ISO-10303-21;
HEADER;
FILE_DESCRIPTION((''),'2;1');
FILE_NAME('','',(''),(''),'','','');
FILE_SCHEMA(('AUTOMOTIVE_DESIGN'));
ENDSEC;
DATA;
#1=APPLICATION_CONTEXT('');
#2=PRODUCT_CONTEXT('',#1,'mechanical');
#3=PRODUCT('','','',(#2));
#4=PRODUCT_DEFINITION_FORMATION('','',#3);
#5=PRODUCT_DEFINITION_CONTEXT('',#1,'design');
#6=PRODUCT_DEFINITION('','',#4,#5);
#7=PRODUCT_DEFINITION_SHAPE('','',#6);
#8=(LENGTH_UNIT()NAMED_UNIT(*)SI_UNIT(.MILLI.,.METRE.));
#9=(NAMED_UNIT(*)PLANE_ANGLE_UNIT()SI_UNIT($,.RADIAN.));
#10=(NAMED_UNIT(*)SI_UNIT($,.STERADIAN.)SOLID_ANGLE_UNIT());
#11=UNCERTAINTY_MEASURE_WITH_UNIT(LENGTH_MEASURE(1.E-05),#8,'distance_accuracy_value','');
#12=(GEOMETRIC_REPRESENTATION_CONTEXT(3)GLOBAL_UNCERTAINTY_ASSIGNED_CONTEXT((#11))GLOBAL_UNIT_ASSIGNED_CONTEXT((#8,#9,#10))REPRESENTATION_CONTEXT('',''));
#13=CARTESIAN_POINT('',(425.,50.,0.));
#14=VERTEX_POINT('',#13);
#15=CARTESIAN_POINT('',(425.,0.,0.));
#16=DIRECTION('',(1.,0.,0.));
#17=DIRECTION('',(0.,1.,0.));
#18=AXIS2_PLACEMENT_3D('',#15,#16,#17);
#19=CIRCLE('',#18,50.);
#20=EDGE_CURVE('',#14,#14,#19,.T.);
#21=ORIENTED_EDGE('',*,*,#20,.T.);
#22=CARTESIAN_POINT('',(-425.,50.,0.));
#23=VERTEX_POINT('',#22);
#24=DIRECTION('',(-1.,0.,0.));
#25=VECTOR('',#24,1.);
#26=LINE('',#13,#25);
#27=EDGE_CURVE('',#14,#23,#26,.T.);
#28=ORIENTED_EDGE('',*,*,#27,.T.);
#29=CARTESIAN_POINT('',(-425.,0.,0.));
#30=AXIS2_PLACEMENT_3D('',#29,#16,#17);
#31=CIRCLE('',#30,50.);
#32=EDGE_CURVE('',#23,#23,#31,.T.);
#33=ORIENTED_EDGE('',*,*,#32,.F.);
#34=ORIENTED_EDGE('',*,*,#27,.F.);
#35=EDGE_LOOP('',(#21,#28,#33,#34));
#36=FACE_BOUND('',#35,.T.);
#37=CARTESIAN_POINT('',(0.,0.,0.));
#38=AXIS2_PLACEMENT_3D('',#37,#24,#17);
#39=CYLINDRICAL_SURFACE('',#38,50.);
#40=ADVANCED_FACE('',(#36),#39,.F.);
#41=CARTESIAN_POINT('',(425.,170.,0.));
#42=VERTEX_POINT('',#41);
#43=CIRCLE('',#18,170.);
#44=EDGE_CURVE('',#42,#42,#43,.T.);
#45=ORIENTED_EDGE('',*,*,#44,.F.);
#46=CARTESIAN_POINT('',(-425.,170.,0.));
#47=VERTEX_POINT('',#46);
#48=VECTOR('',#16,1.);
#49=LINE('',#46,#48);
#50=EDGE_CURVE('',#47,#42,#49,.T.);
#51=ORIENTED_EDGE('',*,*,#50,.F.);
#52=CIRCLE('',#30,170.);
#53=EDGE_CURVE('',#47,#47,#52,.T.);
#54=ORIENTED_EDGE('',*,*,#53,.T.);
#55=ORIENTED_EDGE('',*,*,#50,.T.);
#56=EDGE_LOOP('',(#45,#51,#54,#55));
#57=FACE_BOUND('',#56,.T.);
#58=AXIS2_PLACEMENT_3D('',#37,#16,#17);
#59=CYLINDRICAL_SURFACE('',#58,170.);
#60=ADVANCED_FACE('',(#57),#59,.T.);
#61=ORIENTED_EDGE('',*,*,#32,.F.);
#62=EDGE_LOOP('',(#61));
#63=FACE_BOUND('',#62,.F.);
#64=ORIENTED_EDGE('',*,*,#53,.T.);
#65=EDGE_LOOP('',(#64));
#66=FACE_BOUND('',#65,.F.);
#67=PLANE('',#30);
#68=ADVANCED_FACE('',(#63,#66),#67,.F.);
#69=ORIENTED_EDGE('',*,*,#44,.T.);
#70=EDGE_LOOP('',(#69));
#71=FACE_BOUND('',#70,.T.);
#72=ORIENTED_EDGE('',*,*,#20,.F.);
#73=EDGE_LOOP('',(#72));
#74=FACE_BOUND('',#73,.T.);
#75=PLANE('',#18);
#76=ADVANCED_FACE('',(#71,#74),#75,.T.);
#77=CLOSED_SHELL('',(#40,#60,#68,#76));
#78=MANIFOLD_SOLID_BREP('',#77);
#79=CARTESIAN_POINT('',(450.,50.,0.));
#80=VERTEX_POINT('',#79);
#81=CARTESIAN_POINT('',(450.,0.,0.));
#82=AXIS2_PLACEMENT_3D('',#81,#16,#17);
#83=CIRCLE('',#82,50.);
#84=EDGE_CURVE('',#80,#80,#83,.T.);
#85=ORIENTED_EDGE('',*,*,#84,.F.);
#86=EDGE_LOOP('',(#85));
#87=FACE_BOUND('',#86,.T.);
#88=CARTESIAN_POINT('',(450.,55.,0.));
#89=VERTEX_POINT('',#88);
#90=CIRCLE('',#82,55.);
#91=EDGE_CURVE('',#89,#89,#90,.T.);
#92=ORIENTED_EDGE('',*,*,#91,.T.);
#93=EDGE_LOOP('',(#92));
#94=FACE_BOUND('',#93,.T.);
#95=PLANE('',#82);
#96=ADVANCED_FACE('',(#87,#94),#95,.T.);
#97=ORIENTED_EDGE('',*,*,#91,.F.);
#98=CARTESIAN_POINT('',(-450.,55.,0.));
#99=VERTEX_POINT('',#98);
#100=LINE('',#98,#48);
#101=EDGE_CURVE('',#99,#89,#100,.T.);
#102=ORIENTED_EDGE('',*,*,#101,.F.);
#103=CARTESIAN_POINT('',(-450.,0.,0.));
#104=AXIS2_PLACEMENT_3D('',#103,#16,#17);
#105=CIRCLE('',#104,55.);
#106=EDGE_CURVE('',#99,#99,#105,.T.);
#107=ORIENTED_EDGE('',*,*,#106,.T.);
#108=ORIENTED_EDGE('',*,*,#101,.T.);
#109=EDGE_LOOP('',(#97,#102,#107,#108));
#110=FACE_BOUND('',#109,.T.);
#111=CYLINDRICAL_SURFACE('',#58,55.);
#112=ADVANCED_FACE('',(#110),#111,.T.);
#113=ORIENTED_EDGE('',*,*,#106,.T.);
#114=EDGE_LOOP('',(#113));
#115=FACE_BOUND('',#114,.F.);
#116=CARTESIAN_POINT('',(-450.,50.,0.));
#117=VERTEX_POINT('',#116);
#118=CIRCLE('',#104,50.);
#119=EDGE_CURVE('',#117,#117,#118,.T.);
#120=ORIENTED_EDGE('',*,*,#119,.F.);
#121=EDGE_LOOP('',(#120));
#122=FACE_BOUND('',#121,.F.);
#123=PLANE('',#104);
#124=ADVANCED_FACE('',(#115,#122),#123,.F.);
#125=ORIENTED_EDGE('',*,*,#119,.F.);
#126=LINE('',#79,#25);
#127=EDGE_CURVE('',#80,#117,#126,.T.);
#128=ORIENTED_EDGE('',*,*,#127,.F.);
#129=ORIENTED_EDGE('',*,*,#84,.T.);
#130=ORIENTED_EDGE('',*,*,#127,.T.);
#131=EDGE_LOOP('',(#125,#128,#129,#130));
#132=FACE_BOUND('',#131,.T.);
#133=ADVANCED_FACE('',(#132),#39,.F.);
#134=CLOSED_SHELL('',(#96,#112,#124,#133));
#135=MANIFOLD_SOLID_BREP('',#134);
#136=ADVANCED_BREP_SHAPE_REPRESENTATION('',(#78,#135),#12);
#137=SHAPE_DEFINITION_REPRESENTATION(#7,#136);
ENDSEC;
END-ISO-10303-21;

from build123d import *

# Parameters (mm, degrees)
F0_R     = 170
F0_R_2   = 50
F2_DEPTH = 425
F1_R     = 55
F1_R_2   = 50
F3_DEPTH = 450


with BuildPart() as f2:
    # F0 (on Right) → F2 (new body, symmetric)
    with BuildSketch(Plane.YZ):
        Circle(F0_R)
        Circle(F0_R_2, mode=Mode.SUBTRACT)
    extrude(amount=F2_DEPTH, both=True)


with BuildPart() as f3:
    # F1 (on face) → F3 (new body, symmetric)
    with BuildSketch(Plane.YZ):
        Circle(F1_R)
        Circle(F1_R_2, mode=Mode.SUBTRACT)
    extrude(amount=F3_DEPTH, both=True)


solid = Compound([f2.part, f3.part])
